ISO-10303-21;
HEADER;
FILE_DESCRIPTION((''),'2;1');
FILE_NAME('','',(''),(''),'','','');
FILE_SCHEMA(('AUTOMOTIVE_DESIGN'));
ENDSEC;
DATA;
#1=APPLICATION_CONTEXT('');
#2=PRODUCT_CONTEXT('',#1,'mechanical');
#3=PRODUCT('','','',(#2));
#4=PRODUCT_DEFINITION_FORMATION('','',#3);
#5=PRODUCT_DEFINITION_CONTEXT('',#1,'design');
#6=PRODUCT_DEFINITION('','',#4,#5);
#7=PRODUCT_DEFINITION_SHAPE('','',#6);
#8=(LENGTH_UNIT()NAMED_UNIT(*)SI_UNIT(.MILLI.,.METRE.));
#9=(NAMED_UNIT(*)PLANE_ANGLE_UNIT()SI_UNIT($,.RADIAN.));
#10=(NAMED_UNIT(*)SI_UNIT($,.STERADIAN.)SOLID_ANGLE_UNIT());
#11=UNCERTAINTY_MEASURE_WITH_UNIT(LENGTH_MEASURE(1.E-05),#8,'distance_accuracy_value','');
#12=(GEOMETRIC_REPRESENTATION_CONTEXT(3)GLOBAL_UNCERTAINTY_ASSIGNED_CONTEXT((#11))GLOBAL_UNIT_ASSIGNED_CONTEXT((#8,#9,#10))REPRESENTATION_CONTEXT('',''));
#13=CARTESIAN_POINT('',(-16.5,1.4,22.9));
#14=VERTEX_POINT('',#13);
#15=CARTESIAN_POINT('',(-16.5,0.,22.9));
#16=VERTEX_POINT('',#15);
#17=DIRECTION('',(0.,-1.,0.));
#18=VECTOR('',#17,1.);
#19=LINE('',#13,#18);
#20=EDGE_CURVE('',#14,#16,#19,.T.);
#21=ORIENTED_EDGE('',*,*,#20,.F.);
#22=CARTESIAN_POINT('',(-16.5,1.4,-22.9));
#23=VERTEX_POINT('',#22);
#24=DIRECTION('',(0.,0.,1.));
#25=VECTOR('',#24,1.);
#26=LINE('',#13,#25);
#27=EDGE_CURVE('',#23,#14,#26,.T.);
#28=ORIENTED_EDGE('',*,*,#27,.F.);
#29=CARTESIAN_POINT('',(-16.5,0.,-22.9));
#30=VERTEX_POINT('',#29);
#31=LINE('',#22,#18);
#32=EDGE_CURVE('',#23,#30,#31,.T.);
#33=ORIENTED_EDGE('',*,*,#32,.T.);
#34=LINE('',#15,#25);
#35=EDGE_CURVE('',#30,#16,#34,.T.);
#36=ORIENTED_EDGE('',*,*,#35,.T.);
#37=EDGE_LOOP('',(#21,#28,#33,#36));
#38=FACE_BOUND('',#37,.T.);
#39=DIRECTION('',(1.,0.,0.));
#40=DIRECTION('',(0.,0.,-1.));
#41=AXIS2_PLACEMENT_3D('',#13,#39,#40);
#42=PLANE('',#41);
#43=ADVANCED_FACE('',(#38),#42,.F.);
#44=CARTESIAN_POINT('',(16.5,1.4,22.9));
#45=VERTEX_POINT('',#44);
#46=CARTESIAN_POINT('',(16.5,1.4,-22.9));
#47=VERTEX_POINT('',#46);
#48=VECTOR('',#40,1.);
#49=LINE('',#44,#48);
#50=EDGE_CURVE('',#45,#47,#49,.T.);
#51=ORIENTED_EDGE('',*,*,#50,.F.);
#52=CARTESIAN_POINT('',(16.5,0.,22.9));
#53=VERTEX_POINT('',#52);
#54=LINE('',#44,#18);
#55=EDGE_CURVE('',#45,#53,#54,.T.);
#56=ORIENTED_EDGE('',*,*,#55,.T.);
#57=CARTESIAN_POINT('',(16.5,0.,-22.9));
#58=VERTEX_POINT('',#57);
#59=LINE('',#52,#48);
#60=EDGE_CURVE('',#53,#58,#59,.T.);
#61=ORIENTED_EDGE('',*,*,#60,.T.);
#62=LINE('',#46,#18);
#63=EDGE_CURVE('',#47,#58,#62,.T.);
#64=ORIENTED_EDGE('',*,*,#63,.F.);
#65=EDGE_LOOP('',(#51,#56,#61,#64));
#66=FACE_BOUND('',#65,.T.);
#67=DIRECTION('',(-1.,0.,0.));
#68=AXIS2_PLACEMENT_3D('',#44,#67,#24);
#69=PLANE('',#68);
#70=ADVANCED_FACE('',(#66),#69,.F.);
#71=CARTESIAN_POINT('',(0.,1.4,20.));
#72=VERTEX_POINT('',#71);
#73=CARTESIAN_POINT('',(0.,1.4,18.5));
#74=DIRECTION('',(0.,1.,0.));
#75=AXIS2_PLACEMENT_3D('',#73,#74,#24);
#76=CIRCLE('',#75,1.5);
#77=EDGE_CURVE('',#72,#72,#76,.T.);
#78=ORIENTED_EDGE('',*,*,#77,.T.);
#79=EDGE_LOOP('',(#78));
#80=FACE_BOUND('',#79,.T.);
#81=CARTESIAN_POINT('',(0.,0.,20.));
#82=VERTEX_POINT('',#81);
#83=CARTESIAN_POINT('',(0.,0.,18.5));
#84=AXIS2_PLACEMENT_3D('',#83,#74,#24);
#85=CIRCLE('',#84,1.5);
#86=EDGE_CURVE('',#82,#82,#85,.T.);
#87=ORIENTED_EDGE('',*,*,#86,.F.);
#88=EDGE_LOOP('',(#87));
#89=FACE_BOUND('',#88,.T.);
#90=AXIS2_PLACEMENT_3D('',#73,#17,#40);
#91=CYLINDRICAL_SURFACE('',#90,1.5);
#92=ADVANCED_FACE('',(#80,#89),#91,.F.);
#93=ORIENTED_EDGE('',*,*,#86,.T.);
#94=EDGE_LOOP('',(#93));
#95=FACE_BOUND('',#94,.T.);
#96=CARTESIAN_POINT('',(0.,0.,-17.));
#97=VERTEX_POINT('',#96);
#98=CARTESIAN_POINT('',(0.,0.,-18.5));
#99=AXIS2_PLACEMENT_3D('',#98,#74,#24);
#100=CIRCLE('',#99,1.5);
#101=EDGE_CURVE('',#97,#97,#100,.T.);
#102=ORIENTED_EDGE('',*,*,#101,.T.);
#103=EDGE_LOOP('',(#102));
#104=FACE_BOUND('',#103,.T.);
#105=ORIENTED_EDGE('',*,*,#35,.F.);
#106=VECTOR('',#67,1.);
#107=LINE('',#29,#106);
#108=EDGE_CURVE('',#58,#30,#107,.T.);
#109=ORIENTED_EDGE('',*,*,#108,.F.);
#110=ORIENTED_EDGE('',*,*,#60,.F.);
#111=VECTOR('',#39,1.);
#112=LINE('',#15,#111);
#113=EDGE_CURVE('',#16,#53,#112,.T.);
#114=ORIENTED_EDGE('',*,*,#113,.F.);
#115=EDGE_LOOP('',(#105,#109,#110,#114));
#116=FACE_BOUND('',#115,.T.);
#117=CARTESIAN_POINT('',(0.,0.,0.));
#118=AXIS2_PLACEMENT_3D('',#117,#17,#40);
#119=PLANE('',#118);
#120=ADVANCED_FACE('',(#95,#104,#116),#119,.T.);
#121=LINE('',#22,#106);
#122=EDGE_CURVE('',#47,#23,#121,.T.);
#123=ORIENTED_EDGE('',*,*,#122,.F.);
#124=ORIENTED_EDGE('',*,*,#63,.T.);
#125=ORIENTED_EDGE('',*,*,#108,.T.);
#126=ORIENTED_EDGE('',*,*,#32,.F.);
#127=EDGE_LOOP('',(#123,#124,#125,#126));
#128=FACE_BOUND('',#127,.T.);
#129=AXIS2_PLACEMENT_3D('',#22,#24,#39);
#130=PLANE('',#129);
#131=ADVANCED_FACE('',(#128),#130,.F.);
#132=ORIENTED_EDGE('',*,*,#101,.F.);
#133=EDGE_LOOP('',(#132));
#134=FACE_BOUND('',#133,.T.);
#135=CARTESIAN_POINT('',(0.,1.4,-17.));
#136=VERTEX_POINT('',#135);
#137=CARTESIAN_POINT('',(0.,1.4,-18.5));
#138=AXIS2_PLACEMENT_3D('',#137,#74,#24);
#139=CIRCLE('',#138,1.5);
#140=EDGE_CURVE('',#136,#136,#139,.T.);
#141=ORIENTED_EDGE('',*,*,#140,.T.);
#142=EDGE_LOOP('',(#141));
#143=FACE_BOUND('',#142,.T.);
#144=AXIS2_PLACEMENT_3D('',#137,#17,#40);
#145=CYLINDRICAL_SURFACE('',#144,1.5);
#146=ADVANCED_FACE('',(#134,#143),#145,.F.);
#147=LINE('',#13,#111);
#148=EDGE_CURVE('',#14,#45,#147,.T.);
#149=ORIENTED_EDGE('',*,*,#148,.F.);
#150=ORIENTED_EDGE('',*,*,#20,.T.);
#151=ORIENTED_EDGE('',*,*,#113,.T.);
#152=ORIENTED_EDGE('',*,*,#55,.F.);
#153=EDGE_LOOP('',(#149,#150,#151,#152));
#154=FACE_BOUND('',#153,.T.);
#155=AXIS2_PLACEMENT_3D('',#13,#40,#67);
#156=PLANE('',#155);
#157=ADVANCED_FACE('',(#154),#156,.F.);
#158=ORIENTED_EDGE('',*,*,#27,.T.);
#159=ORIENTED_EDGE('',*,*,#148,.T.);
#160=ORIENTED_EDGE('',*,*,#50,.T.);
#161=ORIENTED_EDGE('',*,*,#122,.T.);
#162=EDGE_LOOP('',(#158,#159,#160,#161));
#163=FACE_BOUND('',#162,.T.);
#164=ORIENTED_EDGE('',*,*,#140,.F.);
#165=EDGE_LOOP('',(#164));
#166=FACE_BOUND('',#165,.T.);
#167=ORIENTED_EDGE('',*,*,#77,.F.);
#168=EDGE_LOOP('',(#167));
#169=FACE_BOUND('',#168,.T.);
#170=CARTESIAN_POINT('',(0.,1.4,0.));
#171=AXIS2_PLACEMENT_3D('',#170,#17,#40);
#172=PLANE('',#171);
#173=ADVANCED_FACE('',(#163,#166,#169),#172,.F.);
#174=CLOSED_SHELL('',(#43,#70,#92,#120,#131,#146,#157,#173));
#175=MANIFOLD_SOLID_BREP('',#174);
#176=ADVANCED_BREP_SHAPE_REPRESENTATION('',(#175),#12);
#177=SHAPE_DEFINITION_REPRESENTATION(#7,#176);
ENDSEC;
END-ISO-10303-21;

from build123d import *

# Parameters (mm, degrees)
SKETCH1_W           = 33
SKETCH1_H           = 45.8
SKETCH1_R           = 1.5
BOSS_EXTRUDE1_DEPTH = 1.4


with BuildPart() as part:
    # Sketch1 → Boss-Extrude1 (new body)
    with BuildSketch(Plane(origin=(0, 0, 0), x_dir=(1, 0, 0), z_dir=(0, 1, 0))):
        Rectangle(SKETCH1_W, SKETCH1_H)
        with Locations(Location((0, 18.5, 0), (0, 0, 270))):
            Circle(SKETCH1_R, mode=Mode.SUBTRACT)
        with Locations(Location((0, -18.5, 0), (0, 0, 270))):
            Circle(SKETCH1_R, mode=Mode.SUBTRACT)
    extrude(amount=BOSS_EXTRUDE1_DEPTH)


solid = part.part
